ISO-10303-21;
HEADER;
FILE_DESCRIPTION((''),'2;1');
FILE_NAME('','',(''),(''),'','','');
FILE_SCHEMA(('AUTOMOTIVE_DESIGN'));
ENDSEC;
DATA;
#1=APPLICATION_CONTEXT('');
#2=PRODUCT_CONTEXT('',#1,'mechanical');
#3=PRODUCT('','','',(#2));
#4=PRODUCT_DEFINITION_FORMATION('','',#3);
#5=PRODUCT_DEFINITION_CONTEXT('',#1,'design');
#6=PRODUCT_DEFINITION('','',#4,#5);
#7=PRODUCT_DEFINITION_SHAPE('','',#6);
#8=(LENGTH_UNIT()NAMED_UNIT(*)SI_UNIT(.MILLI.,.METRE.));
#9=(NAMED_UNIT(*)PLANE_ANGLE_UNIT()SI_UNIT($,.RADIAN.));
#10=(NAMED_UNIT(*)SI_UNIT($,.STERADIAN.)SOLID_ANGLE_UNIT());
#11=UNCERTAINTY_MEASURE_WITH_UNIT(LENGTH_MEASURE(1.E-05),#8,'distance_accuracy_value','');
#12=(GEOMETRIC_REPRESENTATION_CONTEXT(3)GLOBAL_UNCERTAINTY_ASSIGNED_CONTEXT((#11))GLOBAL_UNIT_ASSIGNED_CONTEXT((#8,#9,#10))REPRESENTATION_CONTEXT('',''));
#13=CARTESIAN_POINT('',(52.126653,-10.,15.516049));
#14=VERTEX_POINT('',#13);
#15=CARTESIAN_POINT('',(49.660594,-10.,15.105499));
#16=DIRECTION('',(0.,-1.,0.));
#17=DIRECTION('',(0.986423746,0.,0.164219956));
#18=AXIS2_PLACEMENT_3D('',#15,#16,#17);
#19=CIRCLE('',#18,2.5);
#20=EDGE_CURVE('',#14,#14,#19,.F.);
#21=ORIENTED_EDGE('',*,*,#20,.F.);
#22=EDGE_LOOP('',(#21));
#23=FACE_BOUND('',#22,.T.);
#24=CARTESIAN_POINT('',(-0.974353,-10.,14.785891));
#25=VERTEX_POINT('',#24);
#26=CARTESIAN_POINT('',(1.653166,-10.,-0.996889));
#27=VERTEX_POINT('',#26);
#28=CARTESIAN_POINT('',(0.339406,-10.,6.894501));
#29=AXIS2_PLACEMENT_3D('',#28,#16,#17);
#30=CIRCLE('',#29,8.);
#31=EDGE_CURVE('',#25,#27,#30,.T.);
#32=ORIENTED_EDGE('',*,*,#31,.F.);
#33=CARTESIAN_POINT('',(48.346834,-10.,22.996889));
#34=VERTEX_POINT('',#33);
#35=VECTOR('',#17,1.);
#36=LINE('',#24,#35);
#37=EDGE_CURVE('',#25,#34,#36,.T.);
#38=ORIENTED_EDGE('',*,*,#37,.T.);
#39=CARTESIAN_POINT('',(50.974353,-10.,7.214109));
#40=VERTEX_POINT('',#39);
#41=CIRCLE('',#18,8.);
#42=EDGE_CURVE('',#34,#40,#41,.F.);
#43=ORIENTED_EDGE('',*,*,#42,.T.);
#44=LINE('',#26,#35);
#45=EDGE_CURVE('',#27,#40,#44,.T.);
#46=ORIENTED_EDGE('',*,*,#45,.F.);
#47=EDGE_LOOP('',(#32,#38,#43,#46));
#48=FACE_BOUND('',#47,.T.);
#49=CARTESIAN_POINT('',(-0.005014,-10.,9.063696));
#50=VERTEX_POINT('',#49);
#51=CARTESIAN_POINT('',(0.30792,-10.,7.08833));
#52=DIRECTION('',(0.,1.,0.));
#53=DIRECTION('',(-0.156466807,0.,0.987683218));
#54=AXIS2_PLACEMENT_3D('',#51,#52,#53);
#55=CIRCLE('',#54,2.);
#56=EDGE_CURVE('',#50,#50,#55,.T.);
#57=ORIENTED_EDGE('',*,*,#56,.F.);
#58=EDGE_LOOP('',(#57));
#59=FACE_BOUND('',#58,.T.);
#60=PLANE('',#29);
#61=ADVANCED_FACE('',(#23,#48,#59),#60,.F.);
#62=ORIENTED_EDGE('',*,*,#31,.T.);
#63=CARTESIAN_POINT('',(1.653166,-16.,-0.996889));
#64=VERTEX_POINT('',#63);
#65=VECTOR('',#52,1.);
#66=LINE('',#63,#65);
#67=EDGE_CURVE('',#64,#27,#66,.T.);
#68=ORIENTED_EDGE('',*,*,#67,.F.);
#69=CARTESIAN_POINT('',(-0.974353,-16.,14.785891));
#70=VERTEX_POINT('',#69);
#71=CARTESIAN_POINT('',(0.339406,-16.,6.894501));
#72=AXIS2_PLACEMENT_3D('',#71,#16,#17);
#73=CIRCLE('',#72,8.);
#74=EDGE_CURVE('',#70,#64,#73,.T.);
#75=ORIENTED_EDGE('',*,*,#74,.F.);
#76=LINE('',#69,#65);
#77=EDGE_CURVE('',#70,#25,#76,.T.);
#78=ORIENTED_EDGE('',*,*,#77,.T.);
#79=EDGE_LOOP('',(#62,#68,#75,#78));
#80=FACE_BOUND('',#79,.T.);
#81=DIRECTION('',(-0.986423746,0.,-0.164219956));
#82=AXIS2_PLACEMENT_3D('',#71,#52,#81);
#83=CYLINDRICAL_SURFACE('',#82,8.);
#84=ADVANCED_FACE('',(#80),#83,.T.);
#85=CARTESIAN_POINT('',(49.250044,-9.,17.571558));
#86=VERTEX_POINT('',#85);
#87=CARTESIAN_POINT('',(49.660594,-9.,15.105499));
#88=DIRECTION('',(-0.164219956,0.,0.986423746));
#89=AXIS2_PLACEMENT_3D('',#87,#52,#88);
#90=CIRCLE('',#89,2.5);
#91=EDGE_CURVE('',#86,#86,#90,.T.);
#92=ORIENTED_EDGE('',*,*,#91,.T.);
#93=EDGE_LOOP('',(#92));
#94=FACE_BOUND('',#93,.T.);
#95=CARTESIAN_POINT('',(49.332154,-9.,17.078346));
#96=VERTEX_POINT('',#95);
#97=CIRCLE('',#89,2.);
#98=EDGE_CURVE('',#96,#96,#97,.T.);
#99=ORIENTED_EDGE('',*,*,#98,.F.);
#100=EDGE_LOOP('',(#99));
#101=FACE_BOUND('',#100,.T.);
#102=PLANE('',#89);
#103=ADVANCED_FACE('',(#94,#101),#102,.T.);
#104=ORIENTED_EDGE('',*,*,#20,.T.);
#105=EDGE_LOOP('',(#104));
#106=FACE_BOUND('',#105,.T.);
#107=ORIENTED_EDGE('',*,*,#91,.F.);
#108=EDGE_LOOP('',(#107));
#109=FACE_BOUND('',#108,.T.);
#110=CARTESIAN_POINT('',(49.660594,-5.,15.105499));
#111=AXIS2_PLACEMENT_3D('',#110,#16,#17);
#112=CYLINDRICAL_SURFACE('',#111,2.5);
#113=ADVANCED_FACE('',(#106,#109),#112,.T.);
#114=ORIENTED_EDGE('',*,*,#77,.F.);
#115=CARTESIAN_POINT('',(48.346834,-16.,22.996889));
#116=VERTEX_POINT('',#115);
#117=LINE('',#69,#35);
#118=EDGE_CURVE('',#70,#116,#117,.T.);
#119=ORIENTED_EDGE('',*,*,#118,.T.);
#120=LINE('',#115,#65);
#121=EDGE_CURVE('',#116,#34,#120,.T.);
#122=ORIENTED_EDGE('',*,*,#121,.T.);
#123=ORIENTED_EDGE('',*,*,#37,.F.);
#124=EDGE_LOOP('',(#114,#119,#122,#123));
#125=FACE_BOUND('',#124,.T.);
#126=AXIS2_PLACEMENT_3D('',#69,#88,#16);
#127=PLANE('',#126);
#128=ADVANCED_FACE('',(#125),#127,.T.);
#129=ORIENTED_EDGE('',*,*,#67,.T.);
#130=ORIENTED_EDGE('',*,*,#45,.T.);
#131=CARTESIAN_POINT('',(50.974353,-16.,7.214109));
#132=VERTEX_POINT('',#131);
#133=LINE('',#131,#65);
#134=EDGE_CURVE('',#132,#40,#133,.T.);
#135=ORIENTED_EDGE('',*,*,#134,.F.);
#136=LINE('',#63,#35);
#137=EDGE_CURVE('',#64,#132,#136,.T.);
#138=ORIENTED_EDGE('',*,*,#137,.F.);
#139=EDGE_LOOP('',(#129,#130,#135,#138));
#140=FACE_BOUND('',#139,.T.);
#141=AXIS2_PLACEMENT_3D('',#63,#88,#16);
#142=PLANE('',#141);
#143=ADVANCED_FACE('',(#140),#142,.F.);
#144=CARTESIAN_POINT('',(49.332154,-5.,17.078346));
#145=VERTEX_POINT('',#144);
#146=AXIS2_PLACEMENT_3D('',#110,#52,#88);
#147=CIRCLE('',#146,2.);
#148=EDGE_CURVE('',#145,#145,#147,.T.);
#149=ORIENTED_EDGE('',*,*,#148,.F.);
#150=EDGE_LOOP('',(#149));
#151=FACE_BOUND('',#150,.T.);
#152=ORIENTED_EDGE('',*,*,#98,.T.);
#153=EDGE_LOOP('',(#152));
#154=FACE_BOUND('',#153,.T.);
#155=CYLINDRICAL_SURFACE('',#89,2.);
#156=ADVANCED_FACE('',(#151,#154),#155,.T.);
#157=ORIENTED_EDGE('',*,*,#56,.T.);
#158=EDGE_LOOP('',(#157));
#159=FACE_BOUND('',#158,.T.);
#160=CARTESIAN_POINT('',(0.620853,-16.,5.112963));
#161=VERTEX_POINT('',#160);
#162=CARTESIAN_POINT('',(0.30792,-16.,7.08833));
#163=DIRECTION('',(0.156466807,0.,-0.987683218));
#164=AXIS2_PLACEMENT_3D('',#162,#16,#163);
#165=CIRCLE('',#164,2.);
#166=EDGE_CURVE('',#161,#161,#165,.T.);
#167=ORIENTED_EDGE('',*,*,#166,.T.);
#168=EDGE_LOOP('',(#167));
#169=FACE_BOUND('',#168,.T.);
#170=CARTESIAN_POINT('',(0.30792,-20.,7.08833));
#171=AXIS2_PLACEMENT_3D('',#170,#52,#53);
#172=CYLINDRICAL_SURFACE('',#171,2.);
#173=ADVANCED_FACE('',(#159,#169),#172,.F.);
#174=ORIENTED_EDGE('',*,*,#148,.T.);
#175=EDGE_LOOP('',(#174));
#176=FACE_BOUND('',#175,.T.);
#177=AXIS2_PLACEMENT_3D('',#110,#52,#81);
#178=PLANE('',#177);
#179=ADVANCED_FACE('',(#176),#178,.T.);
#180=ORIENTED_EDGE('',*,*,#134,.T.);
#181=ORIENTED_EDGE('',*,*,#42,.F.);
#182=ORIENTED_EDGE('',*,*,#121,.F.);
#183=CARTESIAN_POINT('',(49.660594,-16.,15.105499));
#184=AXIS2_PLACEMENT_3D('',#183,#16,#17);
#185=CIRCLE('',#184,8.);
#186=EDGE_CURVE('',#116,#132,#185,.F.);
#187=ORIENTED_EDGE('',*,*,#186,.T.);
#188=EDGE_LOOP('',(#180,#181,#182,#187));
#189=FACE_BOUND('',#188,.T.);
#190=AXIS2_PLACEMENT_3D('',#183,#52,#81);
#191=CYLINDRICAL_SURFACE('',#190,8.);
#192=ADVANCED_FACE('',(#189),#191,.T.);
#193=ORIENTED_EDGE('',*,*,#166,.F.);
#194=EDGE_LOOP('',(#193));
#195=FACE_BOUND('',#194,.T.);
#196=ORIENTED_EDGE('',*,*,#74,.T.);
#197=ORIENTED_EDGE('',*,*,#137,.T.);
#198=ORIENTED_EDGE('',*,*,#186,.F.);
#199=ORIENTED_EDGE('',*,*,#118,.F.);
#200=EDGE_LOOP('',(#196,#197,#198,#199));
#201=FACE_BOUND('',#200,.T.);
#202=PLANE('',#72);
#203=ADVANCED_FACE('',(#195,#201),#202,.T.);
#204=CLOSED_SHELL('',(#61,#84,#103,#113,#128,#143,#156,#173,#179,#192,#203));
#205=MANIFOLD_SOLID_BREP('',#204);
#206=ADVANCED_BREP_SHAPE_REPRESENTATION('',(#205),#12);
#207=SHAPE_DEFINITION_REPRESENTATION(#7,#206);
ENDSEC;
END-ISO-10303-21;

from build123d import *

# Parameters (mm, degrees)
BOSS_EXTRUDE1_DEPTH   = 6
SKETCH4_R             = 2.5
BOSS_EXTRUDE3_DEPTH   = 5
BODY_MOVE_COPY1_ANGLE = 90
CUT_EXTRUDE4_START    = -4
SKETCH8_R             = 2.5
SKETCH8_R_2           = 2
CUT_EXTRUDE4_DEPTH    = 4
BODY_MOVE_COPY2_ANGLE = 180
BODY_MOVE_COPY3_ANGLE = 35
BODY_MOVE_COPY4_ANGLE = 180
SKETCH9_R             = 2
CUT_EXTRUDE5_DEPTH    = 10
BODY_MOVE_COPY5_ANGLE = 180


with BuildPart() as part:
    # Sketch1 → Boss-Extrude1 (new body)
    with BuildSketch(Plane.XY):
        with BuildLine():
            Line((0, 8), (50, 8))
            ThreePointArc((50, 8), (58, 0), (50, -8))
            Line((50, -8), (0, -8))
            ThreePointArc((0, -8), (-8, 0), (0, 8))
        make_face()
    extrude(amount=BOSS_EXTRUDE1_DEPTH)

    # Sketch4 → Boss-Extrude3 (add)
    with BuildSketch(Plane(origin=(0, 0, 0), x_dir=(-1, 0, 0), z_dir=(0, 0, -1))):
        with Locations(Location((-50, 0, 0), (0, 0, 180))):
            Circle(SKETCH4_R)
    extrude(amount=BOSS_EXTRUDE3_DEPTH)


with BuildPart() as part_1:
    # Body-Move/Copy1: moved
    add(part.part.rotate(Axis((0, 0, 11), (-1, 0, 0)), BODY_MOVE_COPY1_ANGLE))

    # Sketch8 → Cut-Extrude4 (cut)
    with BuildSketch(Plane.XZ.offset(16).offset(CUT_EXTRUDE4_START)):
        with Locations((50, 11)):
            Circle(SKETCH8_R)
        with Locations(Location((50, 11, 0), (0, 0, 270))):
            Circle(SKETCH8_R_2, mode=Mode.SUBTRACT)
    extrude(amount=CUT_EXTRUDE4_DEPTH, mode=Mode.SUBTRACT)


with BuildPart() as part_2:
    # Body-Move/Copy2: moved
    add(part_1.part.moved(Location((0, 0, 0))).rotate(Axis((-0.872729887, 0, 2.730506299), (0.9525286063620858, -4.30488929887132e-15, 0.3044490992956008)), BODY_MOVE_COPY2_ANGLE))


with BuildPart() as part_3:
    # Body-Move/Copy3: moved
    add(part_2.part.rotate(Axis((25, 0, 11), (0, 1, 0)), BODY_MOVE_COPY3_ANGLE))


with BuildPart() as part_4:
    # Body-Move/Copy4: moved
    add(part_3.part.rotate(Axis((0, 0, 11), (1, 0, 0)), BODY_MOVE_COPY4_ANGLE))

    # Sketch9 → Cut-Extrude5 (cut)
    with BuildSketch(Plane.XZ.offset(11)):
        with Locations(Location((0, 11, 0), (0, 0, 270))):
            Circle(SKETCH9_R)
    extrude(amount=-CUT_EXTRUDE5_DEPTH, mode=Mode.SUBTRACT)


with BuildPart() as part_5:
    # Body-Move/Copy5: moved
    add(part_4.part.moved(Location((0, 0, 0))).rotate(Axis((-0.706607659, -10.5, 8.976422606), (0.9969160490117142, -5.357682201744958e-14, 0.07847541795284477)), BODY_MOVE_COPY5_ANGLE))


solid = part_5.part
